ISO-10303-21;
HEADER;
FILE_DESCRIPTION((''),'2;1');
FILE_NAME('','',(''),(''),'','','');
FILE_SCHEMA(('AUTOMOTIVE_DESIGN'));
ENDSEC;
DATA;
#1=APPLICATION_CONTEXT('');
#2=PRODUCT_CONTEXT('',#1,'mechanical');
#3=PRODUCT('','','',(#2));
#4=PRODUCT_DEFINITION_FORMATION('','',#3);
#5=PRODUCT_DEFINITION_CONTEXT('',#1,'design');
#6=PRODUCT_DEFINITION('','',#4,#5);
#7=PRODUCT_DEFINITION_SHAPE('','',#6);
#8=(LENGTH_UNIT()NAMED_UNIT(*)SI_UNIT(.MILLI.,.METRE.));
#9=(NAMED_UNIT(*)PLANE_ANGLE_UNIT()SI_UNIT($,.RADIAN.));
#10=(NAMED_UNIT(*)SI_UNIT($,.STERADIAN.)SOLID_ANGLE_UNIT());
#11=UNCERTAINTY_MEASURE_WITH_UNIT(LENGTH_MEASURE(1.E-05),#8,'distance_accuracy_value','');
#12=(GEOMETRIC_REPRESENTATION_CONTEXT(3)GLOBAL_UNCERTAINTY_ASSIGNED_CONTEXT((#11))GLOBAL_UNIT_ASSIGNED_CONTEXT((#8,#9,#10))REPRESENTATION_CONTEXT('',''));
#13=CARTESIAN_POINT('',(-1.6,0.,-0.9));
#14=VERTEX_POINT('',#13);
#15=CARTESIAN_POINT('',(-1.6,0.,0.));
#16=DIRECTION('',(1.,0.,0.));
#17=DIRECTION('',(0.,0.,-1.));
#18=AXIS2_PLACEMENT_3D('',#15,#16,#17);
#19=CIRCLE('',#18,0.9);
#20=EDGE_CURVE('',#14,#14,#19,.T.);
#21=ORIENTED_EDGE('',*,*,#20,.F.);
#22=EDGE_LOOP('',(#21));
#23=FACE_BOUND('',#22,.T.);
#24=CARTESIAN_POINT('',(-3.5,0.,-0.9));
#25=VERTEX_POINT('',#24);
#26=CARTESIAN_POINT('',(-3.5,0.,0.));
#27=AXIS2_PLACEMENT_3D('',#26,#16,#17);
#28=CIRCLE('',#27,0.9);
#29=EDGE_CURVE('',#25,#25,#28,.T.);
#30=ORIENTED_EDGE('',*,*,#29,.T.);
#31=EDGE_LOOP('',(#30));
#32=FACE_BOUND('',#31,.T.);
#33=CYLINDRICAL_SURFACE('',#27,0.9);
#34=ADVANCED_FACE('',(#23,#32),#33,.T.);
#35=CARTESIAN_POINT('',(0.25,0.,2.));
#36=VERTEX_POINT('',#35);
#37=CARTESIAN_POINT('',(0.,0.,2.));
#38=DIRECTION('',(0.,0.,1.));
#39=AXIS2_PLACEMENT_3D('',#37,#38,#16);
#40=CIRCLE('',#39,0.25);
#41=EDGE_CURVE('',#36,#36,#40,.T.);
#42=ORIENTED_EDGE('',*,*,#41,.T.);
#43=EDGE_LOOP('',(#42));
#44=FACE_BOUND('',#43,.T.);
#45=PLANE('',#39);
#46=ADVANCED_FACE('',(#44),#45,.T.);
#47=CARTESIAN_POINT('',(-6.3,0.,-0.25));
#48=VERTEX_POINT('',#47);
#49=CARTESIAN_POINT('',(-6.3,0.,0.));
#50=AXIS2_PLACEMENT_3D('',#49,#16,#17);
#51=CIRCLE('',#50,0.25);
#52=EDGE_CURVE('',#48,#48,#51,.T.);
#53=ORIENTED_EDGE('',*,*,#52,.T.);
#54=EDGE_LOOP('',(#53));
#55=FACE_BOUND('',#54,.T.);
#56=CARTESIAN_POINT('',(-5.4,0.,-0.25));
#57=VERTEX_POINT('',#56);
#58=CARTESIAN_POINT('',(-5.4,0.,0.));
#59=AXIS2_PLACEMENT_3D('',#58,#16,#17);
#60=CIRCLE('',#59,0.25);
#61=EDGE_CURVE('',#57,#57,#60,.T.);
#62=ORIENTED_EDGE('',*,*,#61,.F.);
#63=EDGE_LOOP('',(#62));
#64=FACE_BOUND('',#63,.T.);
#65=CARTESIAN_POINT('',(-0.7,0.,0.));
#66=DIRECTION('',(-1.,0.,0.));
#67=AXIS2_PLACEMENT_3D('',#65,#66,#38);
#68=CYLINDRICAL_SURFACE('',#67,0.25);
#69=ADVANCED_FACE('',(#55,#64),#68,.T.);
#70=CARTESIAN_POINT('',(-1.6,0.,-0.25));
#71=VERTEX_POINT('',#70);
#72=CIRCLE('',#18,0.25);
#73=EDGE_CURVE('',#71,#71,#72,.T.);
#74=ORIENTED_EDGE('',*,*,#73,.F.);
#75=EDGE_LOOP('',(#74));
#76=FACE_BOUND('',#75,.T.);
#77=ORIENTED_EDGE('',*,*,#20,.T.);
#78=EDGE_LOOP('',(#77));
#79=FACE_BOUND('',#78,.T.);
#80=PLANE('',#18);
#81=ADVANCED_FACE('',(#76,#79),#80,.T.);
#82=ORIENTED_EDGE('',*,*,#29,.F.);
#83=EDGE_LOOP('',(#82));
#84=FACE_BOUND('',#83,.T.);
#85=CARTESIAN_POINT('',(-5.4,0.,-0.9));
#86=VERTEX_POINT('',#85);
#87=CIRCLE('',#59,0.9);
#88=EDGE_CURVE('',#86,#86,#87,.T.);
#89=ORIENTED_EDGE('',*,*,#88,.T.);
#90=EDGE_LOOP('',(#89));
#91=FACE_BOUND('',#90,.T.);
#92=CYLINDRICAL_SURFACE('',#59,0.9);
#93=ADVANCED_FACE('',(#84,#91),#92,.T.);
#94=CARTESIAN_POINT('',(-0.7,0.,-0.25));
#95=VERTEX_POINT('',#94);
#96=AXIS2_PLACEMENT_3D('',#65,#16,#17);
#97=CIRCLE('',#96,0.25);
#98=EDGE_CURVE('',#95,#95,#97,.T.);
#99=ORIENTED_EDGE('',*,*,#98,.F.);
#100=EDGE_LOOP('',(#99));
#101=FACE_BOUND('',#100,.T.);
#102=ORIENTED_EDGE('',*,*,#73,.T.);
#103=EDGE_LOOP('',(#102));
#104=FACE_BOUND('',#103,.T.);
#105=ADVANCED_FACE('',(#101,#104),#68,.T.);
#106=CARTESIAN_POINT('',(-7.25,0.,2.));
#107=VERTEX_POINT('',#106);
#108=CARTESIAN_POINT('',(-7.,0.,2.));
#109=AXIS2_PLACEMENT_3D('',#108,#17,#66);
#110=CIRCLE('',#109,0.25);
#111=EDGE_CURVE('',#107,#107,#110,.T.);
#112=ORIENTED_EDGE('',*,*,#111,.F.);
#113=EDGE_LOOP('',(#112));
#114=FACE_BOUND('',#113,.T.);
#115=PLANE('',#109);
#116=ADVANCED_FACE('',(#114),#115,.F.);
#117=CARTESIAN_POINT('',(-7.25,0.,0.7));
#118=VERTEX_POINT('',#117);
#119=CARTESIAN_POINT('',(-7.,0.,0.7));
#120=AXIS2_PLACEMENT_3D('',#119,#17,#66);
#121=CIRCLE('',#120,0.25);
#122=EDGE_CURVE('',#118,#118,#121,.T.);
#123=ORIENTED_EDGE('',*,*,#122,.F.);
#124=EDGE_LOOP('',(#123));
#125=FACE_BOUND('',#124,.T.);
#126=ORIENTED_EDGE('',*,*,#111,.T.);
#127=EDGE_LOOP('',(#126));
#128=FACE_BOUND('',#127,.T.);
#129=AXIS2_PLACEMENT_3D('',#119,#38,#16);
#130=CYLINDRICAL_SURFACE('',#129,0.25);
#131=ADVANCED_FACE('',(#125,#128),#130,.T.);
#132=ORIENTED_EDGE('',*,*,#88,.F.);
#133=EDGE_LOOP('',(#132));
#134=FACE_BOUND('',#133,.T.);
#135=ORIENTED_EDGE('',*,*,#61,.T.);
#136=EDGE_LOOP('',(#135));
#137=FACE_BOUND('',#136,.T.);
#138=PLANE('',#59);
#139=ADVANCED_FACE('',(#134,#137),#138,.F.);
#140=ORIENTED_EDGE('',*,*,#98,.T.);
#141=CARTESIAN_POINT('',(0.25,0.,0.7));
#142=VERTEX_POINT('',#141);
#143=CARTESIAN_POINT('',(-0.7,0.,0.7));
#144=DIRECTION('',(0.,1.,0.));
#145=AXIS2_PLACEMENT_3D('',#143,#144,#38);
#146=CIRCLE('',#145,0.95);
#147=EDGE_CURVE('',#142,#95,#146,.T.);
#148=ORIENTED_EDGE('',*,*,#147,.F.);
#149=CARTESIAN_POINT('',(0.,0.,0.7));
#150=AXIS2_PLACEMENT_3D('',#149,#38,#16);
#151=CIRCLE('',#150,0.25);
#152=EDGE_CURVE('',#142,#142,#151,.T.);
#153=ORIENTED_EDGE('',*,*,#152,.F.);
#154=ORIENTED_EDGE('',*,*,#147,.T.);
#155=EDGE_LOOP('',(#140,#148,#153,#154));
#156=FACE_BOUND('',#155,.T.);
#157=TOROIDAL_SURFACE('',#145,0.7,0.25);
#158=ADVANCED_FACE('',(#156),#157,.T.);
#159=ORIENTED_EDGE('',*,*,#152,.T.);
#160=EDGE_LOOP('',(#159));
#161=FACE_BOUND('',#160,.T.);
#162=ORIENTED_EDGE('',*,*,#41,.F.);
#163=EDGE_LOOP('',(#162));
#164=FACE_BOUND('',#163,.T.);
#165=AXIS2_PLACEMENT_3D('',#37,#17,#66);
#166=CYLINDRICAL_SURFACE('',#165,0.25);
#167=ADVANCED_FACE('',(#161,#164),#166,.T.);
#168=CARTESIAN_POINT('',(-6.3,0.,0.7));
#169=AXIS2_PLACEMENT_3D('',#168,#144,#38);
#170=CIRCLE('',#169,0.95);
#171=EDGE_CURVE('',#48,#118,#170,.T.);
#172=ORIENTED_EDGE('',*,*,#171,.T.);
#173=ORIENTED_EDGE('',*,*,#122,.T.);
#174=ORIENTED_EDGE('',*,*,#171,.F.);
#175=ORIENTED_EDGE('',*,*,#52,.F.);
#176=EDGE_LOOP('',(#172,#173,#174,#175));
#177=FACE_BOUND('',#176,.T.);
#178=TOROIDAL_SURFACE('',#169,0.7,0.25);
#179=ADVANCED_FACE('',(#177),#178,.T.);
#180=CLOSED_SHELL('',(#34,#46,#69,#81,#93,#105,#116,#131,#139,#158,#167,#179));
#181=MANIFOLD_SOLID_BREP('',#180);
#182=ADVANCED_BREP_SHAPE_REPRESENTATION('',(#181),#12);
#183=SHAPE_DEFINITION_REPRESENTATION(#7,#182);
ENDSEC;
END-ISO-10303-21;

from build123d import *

# Parameters (mm, degrees)
SKETCH_2_R = 0.25
SKETCH_7_R = 0.9


with BuildPart() as part:
    # По траектории1: sweep along a path in Эскиз1
    with BuildLine(Plane(origin=(0, 0, 0), x_dir=(1, 0, 0), z_dir=(0, 1, 0))) as sweep_1_path:
        Line((-7, -2), (-7, -0.7))
        ThreePointArc((-7, -0.7), (-6.794974747, -0.205025253), (-6.3, 0))
        Line((-6.3, 0), (-0.7, 0))
        ThreePointArc((-0.7, 0), (-0.205025253, -0.205025253), (0, -0.7))
        Line((0, -0.7), (0, -2))
    # Эскиз2 → По траектории1 (sweep)
    with BuildSketch(Plane.XY.offset(2)):
        Circle(SKETCH_2_R)
    sweep(path=sweep_1_path.line)

    # По траектории2: sweep along a path in Эскиз6
    with BuildLine(Plane(origin=(0, 0, 0), x_dir=(1, 0, 0), z_dir=(0, 1, 0))) as sweep_2_path:
        Line((-5.4, 0), (-3.5, 0))
        Line((-3.5, 0), (-1.6, 0))
    # Эскиз7 → По траектории2 (sweep)
    with BuildSketch(Plane(origin=(-5.4, 0, 0), x_dir=(0, 0, -1), z_dir=(1, 0, 0))):
        Circle(SKETCH_7_R)
    sweep(path=sweep_2_path.line)


solid = part.part
